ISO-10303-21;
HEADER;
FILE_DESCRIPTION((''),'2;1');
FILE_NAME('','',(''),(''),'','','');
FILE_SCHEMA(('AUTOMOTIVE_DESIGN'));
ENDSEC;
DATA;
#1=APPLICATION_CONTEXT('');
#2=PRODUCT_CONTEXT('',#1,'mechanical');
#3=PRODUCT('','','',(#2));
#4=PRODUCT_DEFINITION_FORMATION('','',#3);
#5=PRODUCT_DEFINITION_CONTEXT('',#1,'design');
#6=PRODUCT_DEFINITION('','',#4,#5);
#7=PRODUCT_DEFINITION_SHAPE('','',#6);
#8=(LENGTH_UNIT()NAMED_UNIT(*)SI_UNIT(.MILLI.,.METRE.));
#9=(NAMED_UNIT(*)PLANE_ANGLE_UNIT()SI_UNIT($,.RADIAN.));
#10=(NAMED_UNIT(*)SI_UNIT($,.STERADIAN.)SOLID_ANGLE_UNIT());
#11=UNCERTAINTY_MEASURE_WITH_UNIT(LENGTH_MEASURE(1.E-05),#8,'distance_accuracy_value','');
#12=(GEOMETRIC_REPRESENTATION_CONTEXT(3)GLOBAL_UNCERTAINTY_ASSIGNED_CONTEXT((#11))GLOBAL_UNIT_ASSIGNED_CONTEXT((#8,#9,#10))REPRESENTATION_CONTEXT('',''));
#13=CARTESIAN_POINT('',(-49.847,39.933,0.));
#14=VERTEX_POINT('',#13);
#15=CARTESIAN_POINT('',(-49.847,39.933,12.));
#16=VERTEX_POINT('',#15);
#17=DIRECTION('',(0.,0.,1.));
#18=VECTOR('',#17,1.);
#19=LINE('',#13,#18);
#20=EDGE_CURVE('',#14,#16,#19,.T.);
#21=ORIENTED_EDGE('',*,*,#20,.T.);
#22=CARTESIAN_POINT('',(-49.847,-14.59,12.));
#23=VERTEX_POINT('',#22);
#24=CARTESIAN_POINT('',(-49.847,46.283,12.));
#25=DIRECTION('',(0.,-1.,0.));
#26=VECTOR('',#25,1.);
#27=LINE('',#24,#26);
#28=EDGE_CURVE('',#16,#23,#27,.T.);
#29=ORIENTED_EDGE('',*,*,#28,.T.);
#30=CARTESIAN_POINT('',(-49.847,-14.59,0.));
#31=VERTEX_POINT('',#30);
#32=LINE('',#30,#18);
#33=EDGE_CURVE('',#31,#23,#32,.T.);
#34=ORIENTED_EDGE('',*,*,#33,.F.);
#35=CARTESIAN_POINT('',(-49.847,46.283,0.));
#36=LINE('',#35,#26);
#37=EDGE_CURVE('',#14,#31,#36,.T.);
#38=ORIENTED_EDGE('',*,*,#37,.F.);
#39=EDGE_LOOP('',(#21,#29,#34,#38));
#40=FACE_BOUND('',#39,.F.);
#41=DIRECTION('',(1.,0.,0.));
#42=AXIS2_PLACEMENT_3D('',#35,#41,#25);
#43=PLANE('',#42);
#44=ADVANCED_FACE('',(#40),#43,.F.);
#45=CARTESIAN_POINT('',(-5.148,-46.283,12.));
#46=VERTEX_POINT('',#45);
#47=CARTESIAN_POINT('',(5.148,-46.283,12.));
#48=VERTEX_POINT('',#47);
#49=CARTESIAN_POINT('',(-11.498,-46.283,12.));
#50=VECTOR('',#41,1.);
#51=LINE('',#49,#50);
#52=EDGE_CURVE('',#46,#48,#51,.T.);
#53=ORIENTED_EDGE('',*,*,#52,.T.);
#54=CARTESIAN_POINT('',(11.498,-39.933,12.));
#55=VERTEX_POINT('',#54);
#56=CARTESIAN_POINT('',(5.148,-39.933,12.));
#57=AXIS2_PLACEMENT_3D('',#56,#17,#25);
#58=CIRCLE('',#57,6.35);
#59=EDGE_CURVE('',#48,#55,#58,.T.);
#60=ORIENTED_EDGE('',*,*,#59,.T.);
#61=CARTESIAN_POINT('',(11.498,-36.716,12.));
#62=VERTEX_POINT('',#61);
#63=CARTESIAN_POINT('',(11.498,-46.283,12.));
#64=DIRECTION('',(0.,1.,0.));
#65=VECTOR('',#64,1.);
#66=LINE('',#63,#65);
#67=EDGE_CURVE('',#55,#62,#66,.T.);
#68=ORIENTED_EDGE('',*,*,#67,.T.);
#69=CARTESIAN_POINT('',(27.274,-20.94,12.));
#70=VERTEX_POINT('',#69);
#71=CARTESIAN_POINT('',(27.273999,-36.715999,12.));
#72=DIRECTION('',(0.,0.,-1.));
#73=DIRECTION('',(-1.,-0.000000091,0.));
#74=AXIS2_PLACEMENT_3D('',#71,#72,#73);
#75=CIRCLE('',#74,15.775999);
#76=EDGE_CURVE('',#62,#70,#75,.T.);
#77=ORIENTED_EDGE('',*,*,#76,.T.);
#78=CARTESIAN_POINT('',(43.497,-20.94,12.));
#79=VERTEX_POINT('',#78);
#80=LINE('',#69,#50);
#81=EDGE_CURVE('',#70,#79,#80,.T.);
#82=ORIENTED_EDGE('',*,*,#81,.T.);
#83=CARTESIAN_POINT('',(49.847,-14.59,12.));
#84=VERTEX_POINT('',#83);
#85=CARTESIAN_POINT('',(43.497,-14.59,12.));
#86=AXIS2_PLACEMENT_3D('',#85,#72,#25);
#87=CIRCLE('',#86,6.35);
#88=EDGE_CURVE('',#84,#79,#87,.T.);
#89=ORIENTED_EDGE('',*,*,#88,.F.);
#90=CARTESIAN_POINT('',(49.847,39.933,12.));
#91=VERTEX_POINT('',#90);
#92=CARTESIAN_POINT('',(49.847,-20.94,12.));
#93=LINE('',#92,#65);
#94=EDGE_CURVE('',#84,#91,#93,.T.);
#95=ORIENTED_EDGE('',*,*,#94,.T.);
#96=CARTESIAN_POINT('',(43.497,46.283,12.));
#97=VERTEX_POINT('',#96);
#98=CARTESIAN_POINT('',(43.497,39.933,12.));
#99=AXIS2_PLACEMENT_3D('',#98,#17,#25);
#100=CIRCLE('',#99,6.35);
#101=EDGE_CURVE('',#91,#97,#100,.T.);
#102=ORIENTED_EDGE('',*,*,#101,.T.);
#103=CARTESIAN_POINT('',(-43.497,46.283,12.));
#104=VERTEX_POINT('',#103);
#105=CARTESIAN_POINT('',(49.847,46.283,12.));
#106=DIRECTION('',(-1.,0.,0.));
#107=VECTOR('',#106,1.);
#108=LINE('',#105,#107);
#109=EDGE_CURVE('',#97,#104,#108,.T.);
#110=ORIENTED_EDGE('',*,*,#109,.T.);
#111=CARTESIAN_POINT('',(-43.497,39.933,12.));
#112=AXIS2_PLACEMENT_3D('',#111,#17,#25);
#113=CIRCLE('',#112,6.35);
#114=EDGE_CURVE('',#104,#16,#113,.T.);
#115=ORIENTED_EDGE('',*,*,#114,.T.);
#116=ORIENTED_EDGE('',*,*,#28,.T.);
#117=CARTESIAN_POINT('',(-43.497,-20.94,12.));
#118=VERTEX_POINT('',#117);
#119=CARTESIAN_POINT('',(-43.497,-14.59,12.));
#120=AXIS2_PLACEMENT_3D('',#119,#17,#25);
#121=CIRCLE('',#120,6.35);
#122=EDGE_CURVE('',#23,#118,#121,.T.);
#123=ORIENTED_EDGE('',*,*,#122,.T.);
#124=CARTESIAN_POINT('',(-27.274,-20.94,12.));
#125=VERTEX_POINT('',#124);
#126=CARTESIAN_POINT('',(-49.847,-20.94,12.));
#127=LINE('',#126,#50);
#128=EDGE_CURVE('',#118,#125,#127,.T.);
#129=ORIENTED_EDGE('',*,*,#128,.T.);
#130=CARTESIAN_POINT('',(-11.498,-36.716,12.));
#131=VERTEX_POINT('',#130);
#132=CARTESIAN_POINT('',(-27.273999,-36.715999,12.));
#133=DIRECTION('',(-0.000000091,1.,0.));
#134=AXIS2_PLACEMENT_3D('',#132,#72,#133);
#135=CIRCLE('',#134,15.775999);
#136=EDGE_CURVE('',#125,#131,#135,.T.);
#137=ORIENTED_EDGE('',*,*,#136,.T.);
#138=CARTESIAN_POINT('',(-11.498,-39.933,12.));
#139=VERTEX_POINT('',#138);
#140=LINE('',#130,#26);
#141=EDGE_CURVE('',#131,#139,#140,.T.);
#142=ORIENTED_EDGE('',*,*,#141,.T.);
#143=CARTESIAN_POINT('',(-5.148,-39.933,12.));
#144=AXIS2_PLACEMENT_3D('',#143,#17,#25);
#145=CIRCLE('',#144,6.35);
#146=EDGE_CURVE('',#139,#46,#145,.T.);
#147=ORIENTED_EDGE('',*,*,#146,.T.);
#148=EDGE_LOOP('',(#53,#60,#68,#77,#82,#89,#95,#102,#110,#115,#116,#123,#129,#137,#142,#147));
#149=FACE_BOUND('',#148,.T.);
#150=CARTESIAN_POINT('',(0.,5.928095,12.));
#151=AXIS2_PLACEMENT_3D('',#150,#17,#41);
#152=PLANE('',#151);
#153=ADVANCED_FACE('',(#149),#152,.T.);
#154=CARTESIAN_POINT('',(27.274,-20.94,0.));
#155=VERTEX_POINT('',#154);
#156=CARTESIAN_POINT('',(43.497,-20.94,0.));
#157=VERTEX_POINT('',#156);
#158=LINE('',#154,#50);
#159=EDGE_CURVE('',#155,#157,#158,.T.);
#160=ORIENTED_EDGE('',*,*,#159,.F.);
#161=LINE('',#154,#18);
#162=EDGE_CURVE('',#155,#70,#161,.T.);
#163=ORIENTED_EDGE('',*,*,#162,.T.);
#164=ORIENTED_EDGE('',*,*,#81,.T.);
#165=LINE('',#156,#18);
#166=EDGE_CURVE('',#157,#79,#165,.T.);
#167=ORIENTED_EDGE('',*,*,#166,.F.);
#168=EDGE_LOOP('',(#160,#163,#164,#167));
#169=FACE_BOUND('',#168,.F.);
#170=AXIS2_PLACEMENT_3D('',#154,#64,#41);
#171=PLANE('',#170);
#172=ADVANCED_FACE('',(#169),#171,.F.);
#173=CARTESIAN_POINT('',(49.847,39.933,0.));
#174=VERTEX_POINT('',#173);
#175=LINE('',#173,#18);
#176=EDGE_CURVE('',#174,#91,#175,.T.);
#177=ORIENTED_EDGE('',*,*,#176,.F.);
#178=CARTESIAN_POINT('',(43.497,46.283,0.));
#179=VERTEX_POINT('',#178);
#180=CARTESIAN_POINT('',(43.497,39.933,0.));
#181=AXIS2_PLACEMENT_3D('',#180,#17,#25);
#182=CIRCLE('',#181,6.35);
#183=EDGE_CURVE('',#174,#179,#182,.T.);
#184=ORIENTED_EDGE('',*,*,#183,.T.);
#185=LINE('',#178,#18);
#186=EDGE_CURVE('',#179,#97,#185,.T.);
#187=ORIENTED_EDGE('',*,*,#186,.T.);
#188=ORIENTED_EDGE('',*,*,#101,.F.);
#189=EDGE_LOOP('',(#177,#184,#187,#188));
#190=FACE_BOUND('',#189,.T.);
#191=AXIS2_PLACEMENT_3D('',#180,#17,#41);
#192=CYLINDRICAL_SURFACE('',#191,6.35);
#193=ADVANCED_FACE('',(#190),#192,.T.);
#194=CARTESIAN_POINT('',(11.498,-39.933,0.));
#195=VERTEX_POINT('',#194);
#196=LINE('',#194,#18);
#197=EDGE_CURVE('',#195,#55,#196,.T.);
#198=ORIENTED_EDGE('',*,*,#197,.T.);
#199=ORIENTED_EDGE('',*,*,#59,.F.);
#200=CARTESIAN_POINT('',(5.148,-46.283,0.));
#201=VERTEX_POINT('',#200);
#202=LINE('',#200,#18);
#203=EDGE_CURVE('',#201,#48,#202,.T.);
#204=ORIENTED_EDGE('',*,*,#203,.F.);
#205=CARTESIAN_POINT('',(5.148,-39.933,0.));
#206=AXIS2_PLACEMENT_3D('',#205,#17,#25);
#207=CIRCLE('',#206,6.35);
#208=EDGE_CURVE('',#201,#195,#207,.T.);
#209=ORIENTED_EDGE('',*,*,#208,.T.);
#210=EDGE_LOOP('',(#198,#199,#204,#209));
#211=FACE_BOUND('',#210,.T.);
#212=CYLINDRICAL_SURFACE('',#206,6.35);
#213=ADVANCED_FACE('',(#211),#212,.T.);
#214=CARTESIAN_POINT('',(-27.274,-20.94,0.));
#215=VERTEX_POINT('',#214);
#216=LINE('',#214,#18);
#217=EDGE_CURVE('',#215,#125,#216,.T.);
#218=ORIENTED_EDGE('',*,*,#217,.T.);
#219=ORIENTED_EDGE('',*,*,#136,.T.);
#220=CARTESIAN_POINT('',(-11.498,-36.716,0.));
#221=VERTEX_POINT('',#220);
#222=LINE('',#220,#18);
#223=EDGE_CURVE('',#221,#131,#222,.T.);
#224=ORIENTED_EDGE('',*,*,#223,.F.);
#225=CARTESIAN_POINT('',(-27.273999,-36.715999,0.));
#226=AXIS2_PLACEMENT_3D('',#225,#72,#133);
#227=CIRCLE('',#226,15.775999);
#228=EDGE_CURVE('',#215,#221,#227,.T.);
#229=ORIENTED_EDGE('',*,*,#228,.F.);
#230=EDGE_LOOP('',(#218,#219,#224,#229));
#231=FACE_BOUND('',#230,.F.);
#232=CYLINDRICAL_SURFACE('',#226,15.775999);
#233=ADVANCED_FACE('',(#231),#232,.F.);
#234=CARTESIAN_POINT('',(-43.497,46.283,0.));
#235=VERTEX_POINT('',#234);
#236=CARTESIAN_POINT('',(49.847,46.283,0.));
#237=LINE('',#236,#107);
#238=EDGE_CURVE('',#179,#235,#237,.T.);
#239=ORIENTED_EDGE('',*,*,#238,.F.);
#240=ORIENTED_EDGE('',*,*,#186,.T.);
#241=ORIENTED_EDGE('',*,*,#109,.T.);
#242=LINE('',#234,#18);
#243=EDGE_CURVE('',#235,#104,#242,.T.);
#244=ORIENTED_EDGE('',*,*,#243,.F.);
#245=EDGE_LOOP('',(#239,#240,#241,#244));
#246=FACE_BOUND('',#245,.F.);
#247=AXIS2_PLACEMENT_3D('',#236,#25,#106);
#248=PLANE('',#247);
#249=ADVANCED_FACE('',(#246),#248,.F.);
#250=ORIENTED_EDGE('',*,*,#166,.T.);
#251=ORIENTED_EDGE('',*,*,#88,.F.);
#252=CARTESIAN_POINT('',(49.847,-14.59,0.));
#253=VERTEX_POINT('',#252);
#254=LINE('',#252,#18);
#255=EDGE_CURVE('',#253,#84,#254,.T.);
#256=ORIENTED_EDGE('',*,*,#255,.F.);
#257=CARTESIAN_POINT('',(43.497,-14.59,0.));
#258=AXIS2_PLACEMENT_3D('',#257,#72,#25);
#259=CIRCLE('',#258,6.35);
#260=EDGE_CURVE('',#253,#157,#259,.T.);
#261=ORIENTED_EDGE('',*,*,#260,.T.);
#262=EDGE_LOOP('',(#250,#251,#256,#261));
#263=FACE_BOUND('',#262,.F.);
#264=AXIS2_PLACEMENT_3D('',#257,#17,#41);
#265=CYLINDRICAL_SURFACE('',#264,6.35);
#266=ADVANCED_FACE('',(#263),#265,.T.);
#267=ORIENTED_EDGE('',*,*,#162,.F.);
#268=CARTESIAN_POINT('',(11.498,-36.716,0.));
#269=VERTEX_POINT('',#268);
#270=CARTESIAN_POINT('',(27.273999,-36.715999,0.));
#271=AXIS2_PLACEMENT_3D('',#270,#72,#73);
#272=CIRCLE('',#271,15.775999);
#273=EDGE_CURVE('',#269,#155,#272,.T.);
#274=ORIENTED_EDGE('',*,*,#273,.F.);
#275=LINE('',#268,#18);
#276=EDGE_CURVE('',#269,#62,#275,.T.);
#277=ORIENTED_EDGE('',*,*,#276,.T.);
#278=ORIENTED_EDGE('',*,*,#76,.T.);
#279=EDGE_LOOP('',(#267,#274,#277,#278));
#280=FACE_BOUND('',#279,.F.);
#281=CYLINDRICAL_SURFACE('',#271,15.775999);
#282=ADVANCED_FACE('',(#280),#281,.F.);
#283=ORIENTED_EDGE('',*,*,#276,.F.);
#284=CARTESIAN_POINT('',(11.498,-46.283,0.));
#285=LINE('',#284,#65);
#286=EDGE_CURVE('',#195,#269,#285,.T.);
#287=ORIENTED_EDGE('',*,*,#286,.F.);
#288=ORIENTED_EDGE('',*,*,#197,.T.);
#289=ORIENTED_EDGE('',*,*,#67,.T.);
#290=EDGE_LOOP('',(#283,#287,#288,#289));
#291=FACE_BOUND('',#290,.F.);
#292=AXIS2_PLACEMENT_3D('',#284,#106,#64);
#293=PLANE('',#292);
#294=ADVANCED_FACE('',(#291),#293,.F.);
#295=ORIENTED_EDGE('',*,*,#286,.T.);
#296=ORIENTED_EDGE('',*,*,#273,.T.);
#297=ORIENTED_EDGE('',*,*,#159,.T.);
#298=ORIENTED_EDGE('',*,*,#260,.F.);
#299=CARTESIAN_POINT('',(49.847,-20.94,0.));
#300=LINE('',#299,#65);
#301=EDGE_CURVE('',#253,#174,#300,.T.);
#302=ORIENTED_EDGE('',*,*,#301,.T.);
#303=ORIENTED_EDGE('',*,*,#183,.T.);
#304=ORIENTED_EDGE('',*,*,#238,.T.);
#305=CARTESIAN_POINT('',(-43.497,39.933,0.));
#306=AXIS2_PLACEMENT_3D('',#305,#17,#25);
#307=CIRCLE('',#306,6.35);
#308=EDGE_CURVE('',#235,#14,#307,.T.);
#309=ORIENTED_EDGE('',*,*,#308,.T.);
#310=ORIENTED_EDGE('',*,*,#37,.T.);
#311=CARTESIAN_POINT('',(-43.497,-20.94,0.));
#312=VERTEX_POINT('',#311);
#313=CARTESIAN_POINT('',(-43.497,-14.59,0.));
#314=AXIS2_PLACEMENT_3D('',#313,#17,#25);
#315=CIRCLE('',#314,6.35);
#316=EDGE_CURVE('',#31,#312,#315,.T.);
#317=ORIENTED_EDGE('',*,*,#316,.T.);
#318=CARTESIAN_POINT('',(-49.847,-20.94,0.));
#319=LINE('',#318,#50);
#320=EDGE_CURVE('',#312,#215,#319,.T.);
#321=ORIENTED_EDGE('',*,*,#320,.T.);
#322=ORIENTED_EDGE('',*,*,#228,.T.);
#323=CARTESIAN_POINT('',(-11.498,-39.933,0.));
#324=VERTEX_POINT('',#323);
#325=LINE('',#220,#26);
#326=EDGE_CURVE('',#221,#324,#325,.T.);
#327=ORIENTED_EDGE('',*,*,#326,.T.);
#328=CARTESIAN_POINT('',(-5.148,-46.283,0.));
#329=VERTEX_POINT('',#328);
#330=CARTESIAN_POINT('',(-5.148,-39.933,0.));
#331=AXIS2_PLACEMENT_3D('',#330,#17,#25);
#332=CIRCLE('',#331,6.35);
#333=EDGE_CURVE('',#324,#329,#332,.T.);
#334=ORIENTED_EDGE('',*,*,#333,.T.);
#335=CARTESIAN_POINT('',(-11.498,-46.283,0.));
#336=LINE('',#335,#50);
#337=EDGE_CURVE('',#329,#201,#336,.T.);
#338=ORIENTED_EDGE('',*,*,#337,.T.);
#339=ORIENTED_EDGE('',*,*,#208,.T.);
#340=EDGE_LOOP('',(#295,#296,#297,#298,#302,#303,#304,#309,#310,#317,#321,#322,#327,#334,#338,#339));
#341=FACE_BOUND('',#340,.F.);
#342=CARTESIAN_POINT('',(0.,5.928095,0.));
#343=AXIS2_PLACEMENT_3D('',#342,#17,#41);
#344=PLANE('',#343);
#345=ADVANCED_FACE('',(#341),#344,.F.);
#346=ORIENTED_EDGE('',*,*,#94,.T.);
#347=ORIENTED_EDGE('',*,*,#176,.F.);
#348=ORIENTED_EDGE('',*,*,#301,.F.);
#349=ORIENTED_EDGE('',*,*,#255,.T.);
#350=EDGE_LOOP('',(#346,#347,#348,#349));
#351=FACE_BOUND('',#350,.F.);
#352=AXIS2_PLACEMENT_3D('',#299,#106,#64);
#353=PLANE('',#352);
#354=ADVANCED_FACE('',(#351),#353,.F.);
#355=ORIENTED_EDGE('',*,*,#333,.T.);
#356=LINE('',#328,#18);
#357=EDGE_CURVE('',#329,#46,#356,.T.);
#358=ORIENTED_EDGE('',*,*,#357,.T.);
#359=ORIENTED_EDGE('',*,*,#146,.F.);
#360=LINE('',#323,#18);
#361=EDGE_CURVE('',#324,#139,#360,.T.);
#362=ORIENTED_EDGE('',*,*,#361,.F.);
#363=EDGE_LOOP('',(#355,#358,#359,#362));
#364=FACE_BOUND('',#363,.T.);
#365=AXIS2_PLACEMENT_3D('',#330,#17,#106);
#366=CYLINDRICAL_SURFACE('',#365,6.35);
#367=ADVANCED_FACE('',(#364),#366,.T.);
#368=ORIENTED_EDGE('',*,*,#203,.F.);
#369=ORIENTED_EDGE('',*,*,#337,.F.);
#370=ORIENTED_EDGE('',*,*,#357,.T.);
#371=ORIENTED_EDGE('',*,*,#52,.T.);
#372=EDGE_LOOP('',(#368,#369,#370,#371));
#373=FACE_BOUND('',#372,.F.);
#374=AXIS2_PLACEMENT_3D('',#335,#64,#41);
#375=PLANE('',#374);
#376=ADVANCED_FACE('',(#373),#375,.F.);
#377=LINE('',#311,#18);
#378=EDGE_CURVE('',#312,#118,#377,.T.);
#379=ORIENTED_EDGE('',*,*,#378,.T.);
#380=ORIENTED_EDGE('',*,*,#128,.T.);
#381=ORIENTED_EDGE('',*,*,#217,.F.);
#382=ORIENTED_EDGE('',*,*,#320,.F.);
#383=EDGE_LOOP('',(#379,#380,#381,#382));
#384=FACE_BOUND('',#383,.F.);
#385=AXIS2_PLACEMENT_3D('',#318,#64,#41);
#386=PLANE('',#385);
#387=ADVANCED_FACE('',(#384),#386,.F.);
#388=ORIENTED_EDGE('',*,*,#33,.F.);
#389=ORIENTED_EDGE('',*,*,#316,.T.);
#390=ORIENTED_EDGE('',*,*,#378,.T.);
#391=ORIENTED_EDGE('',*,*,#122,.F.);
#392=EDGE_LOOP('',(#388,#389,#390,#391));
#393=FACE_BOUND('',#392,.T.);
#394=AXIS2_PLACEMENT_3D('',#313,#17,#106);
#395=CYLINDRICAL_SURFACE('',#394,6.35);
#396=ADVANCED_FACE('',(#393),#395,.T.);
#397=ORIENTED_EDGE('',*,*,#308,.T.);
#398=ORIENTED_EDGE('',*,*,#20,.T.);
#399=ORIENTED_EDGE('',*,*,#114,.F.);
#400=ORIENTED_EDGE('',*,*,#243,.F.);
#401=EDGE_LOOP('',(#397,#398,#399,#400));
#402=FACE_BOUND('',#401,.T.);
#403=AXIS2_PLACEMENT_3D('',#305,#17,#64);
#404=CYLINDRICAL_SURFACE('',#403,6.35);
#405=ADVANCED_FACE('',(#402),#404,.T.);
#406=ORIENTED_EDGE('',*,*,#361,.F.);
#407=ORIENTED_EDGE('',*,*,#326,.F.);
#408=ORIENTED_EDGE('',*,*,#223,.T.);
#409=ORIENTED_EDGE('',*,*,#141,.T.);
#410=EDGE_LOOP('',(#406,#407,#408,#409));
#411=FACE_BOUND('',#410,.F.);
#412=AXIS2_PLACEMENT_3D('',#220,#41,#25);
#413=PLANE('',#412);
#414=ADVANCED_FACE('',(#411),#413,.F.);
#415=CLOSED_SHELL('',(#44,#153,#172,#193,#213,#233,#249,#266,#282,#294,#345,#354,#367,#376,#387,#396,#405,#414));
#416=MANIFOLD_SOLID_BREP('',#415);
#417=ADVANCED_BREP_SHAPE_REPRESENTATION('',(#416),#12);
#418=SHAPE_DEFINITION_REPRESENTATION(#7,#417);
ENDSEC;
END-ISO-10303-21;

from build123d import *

# Parameters (mm, degrees)
F1_DEPTH = 12
F2_R     = 6.35


with BuildPart() as f1:
    # F0 (on Top) → F1 (new body)
    with BuildSketch(Plane.XY):
        with BuildLine():
            Line((49.847, -20.94), (49.847, 46.283))
            Line((49.847, 46.283), (-49.847, 46.283))
            Line((-49.847, 46.283), (-49.847, -20.94))
            Line((-49.847, -20.94), (-27.274, -20.94))
            ThreePointArc((-27.274, -20.94), (-16.118683, -25.560683), (-11.498, -36.716))
            Line((-11.498, -36.716), (-11.498, -46.283))
            Line((-11.498, -46.283), (11.498, -46.283))
            Line((11.498, -46.283), (11.498, -36.716))
            ThreePointArc((11.498, -36.716), (16.118683, -25.560683), (27.274, -20.94))
            Line((27.274, -20.94), (49.847, -20.94))
        make_face()
    extrude(amount=F1_DEPTH)

    # F2
    f2_edges = [f1.edges().sort_by_distance(p)[0] for p in [
        (-49.847, 46.283, 6),
        (-49.847, -20.94, 6),
        (-11.498, -46.283, 6),
        (11.498, -46.283, 6),
        (49.847, -20.94, 6),
        (49.847, 46.283, 6),
    ]]
    fillet(f2_edges, radius=F2_R)


solid = f1.part
